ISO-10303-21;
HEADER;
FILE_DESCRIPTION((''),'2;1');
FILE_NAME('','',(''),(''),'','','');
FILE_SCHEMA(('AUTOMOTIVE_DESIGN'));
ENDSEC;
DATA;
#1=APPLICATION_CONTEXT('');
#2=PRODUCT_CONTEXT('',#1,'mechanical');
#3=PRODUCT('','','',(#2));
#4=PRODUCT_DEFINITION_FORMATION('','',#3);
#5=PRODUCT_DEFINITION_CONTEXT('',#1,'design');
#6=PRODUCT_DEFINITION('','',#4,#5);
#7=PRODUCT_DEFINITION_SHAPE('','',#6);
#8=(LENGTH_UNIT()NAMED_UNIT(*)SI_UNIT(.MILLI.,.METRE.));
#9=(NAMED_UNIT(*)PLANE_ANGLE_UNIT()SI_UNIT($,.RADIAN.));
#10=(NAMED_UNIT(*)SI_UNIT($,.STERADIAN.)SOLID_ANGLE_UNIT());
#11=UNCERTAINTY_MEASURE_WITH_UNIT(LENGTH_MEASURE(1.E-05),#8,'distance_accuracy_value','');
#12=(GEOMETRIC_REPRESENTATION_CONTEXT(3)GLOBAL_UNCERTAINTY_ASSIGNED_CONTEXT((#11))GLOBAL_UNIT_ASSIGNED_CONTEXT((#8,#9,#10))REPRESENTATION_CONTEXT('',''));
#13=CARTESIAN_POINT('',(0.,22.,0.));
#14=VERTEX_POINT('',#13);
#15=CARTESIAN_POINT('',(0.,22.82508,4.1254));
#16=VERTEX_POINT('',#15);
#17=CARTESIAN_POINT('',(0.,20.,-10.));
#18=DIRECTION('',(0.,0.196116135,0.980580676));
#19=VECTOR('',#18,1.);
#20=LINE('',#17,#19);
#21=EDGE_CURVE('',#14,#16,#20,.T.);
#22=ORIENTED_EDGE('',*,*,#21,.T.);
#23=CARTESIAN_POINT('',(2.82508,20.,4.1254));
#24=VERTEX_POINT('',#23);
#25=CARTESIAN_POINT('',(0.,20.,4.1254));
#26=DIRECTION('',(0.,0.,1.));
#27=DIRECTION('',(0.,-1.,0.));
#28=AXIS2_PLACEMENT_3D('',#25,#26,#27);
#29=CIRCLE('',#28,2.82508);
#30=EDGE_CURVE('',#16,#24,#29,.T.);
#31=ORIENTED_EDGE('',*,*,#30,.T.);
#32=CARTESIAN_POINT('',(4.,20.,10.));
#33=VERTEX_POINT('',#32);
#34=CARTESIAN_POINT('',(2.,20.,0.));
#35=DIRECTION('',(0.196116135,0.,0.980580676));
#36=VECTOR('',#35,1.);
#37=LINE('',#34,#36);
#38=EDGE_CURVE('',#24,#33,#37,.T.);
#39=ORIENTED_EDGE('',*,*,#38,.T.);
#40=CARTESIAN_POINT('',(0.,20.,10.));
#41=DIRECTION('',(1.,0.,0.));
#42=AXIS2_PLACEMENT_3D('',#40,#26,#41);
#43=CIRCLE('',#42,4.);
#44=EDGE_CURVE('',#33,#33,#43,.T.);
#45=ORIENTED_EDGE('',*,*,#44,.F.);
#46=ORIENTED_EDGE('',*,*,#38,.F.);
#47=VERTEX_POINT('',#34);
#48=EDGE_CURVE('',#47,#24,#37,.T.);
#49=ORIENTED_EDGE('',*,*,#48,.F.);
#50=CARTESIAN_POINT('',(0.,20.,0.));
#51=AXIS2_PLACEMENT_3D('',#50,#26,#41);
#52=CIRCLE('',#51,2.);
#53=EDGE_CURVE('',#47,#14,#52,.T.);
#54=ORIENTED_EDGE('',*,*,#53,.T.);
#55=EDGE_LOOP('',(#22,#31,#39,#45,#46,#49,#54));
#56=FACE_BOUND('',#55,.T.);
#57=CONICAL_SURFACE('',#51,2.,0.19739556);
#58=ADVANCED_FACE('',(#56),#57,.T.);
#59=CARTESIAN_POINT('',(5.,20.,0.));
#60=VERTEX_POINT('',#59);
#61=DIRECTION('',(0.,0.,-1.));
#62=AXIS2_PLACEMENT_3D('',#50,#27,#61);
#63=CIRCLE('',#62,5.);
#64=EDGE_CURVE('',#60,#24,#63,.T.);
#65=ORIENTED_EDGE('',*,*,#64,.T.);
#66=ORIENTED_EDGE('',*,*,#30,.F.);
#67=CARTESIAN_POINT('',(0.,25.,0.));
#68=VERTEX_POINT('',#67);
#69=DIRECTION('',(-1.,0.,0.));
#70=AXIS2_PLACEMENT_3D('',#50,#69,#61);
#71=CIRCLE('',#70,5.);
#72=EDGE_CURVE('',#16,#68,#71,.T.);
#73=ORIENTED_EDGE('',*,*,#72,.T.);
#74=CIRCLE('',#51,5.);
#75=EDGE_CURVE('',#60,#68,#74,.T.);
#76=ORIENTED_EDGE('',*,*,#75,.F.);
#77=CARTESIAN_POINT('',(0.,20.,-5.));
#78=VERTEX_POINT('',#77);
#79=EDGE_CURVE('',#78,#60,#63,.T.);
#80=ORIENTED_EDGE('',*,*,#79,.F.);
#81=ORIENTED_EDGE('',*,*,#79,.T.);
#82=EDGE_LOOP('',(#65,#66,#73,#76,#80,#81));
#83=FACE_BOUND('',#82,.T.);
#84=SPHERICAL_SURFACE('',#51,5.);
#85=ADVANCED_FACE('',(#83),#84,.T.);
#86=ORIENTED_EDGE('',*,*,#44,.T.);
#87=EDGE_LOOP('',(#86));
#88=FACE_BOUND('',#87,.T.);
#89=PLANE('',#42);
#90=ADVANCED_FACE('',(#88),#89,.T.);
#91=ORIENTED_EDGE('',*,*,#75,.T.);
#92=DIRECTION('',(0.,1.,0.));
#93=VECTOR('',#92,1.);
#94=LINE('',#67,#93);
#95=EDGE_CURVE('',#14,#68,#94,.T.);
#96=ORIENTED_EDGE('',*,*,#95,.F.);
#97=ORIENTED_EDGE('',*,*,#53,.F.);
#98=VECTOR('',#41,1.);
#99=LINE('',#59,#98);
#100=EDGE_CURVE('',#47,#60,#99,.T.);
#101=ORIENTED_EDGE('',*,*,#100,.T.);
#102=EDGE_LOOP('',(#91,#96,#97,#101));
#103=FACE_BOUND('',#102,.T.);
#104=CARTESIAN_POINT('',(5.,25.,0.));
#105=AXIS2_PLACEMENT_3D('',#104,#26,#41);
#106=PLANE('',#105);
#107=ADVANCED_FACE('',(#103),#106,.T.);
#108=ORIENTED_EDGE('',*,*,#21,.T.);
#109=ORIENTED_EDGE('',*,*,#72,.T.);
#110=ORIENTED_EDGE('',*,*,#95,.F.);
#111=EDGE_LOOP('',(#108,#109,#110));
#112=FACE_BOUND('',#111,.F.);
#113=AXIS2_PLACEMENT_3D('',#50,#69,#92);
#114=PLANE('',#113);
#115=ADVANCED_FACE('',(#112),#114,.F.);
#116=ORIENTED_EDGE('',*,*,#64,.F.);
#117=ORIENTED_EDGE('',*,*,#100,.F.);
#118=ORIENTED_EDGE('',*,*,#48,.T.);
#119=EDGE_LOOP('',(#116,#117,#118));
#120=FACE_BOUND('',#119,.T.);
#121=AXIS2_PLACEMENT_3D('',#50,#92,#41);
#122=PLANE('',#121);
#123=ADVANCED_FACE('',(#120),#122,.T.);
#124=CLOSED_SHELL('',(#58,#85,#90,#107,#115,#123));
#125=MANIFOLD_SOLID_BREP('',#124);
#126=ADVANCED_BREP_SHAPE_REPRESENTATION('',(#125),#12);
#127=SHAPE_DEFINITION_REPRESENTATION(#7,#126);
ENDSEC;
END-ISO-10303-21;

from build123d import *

# Parameters (mm, degrees)
BOX_W     = 10
BOX_H     = 10
BOX_DEPTH = 10


with BuildPart() as cube:
    # Box → Box (new body)
    with BuildSketch(Plane.XY):
        with Locations((5, 5)):
            Rectangle(BOX_W, BOX_H)
    extrude(amount=BOX_DEPTH)


with BuildPart() as cut:
    # Sphere → Sphere (revolve)
    with BuildSketch(Plane.XZ):
        with BuildLine():
            ThreePointArc((0, -5), (5, 0), (0, 5))
            Line((0, 5), (0, -5))
        make_face()
    revolve(axis=Axis((0, 0, 0), (0, 0, 1)))

    # Cut: cut Cube
    add(cube.part, mode=Mode.SUBTRACT)


with BuildPart() as cut_1:
    # Cut placement: moved
    add(cut.part.moved(Location((0, 20, 0))))


with BuildPart() as fusion:
    # Cone → Cone (revolve)
    with BuildSketch(Plane.XZ.offset(-20)):
        Polygon((0, 0), (2, 0), (4, 10), (0, 10), align=None)
    revolve(axis=Axis((0, 20, 0), (0, 0, 1)))

    # Fusion: union Cut
    add(cut_1.part)


solid = fusion.part
